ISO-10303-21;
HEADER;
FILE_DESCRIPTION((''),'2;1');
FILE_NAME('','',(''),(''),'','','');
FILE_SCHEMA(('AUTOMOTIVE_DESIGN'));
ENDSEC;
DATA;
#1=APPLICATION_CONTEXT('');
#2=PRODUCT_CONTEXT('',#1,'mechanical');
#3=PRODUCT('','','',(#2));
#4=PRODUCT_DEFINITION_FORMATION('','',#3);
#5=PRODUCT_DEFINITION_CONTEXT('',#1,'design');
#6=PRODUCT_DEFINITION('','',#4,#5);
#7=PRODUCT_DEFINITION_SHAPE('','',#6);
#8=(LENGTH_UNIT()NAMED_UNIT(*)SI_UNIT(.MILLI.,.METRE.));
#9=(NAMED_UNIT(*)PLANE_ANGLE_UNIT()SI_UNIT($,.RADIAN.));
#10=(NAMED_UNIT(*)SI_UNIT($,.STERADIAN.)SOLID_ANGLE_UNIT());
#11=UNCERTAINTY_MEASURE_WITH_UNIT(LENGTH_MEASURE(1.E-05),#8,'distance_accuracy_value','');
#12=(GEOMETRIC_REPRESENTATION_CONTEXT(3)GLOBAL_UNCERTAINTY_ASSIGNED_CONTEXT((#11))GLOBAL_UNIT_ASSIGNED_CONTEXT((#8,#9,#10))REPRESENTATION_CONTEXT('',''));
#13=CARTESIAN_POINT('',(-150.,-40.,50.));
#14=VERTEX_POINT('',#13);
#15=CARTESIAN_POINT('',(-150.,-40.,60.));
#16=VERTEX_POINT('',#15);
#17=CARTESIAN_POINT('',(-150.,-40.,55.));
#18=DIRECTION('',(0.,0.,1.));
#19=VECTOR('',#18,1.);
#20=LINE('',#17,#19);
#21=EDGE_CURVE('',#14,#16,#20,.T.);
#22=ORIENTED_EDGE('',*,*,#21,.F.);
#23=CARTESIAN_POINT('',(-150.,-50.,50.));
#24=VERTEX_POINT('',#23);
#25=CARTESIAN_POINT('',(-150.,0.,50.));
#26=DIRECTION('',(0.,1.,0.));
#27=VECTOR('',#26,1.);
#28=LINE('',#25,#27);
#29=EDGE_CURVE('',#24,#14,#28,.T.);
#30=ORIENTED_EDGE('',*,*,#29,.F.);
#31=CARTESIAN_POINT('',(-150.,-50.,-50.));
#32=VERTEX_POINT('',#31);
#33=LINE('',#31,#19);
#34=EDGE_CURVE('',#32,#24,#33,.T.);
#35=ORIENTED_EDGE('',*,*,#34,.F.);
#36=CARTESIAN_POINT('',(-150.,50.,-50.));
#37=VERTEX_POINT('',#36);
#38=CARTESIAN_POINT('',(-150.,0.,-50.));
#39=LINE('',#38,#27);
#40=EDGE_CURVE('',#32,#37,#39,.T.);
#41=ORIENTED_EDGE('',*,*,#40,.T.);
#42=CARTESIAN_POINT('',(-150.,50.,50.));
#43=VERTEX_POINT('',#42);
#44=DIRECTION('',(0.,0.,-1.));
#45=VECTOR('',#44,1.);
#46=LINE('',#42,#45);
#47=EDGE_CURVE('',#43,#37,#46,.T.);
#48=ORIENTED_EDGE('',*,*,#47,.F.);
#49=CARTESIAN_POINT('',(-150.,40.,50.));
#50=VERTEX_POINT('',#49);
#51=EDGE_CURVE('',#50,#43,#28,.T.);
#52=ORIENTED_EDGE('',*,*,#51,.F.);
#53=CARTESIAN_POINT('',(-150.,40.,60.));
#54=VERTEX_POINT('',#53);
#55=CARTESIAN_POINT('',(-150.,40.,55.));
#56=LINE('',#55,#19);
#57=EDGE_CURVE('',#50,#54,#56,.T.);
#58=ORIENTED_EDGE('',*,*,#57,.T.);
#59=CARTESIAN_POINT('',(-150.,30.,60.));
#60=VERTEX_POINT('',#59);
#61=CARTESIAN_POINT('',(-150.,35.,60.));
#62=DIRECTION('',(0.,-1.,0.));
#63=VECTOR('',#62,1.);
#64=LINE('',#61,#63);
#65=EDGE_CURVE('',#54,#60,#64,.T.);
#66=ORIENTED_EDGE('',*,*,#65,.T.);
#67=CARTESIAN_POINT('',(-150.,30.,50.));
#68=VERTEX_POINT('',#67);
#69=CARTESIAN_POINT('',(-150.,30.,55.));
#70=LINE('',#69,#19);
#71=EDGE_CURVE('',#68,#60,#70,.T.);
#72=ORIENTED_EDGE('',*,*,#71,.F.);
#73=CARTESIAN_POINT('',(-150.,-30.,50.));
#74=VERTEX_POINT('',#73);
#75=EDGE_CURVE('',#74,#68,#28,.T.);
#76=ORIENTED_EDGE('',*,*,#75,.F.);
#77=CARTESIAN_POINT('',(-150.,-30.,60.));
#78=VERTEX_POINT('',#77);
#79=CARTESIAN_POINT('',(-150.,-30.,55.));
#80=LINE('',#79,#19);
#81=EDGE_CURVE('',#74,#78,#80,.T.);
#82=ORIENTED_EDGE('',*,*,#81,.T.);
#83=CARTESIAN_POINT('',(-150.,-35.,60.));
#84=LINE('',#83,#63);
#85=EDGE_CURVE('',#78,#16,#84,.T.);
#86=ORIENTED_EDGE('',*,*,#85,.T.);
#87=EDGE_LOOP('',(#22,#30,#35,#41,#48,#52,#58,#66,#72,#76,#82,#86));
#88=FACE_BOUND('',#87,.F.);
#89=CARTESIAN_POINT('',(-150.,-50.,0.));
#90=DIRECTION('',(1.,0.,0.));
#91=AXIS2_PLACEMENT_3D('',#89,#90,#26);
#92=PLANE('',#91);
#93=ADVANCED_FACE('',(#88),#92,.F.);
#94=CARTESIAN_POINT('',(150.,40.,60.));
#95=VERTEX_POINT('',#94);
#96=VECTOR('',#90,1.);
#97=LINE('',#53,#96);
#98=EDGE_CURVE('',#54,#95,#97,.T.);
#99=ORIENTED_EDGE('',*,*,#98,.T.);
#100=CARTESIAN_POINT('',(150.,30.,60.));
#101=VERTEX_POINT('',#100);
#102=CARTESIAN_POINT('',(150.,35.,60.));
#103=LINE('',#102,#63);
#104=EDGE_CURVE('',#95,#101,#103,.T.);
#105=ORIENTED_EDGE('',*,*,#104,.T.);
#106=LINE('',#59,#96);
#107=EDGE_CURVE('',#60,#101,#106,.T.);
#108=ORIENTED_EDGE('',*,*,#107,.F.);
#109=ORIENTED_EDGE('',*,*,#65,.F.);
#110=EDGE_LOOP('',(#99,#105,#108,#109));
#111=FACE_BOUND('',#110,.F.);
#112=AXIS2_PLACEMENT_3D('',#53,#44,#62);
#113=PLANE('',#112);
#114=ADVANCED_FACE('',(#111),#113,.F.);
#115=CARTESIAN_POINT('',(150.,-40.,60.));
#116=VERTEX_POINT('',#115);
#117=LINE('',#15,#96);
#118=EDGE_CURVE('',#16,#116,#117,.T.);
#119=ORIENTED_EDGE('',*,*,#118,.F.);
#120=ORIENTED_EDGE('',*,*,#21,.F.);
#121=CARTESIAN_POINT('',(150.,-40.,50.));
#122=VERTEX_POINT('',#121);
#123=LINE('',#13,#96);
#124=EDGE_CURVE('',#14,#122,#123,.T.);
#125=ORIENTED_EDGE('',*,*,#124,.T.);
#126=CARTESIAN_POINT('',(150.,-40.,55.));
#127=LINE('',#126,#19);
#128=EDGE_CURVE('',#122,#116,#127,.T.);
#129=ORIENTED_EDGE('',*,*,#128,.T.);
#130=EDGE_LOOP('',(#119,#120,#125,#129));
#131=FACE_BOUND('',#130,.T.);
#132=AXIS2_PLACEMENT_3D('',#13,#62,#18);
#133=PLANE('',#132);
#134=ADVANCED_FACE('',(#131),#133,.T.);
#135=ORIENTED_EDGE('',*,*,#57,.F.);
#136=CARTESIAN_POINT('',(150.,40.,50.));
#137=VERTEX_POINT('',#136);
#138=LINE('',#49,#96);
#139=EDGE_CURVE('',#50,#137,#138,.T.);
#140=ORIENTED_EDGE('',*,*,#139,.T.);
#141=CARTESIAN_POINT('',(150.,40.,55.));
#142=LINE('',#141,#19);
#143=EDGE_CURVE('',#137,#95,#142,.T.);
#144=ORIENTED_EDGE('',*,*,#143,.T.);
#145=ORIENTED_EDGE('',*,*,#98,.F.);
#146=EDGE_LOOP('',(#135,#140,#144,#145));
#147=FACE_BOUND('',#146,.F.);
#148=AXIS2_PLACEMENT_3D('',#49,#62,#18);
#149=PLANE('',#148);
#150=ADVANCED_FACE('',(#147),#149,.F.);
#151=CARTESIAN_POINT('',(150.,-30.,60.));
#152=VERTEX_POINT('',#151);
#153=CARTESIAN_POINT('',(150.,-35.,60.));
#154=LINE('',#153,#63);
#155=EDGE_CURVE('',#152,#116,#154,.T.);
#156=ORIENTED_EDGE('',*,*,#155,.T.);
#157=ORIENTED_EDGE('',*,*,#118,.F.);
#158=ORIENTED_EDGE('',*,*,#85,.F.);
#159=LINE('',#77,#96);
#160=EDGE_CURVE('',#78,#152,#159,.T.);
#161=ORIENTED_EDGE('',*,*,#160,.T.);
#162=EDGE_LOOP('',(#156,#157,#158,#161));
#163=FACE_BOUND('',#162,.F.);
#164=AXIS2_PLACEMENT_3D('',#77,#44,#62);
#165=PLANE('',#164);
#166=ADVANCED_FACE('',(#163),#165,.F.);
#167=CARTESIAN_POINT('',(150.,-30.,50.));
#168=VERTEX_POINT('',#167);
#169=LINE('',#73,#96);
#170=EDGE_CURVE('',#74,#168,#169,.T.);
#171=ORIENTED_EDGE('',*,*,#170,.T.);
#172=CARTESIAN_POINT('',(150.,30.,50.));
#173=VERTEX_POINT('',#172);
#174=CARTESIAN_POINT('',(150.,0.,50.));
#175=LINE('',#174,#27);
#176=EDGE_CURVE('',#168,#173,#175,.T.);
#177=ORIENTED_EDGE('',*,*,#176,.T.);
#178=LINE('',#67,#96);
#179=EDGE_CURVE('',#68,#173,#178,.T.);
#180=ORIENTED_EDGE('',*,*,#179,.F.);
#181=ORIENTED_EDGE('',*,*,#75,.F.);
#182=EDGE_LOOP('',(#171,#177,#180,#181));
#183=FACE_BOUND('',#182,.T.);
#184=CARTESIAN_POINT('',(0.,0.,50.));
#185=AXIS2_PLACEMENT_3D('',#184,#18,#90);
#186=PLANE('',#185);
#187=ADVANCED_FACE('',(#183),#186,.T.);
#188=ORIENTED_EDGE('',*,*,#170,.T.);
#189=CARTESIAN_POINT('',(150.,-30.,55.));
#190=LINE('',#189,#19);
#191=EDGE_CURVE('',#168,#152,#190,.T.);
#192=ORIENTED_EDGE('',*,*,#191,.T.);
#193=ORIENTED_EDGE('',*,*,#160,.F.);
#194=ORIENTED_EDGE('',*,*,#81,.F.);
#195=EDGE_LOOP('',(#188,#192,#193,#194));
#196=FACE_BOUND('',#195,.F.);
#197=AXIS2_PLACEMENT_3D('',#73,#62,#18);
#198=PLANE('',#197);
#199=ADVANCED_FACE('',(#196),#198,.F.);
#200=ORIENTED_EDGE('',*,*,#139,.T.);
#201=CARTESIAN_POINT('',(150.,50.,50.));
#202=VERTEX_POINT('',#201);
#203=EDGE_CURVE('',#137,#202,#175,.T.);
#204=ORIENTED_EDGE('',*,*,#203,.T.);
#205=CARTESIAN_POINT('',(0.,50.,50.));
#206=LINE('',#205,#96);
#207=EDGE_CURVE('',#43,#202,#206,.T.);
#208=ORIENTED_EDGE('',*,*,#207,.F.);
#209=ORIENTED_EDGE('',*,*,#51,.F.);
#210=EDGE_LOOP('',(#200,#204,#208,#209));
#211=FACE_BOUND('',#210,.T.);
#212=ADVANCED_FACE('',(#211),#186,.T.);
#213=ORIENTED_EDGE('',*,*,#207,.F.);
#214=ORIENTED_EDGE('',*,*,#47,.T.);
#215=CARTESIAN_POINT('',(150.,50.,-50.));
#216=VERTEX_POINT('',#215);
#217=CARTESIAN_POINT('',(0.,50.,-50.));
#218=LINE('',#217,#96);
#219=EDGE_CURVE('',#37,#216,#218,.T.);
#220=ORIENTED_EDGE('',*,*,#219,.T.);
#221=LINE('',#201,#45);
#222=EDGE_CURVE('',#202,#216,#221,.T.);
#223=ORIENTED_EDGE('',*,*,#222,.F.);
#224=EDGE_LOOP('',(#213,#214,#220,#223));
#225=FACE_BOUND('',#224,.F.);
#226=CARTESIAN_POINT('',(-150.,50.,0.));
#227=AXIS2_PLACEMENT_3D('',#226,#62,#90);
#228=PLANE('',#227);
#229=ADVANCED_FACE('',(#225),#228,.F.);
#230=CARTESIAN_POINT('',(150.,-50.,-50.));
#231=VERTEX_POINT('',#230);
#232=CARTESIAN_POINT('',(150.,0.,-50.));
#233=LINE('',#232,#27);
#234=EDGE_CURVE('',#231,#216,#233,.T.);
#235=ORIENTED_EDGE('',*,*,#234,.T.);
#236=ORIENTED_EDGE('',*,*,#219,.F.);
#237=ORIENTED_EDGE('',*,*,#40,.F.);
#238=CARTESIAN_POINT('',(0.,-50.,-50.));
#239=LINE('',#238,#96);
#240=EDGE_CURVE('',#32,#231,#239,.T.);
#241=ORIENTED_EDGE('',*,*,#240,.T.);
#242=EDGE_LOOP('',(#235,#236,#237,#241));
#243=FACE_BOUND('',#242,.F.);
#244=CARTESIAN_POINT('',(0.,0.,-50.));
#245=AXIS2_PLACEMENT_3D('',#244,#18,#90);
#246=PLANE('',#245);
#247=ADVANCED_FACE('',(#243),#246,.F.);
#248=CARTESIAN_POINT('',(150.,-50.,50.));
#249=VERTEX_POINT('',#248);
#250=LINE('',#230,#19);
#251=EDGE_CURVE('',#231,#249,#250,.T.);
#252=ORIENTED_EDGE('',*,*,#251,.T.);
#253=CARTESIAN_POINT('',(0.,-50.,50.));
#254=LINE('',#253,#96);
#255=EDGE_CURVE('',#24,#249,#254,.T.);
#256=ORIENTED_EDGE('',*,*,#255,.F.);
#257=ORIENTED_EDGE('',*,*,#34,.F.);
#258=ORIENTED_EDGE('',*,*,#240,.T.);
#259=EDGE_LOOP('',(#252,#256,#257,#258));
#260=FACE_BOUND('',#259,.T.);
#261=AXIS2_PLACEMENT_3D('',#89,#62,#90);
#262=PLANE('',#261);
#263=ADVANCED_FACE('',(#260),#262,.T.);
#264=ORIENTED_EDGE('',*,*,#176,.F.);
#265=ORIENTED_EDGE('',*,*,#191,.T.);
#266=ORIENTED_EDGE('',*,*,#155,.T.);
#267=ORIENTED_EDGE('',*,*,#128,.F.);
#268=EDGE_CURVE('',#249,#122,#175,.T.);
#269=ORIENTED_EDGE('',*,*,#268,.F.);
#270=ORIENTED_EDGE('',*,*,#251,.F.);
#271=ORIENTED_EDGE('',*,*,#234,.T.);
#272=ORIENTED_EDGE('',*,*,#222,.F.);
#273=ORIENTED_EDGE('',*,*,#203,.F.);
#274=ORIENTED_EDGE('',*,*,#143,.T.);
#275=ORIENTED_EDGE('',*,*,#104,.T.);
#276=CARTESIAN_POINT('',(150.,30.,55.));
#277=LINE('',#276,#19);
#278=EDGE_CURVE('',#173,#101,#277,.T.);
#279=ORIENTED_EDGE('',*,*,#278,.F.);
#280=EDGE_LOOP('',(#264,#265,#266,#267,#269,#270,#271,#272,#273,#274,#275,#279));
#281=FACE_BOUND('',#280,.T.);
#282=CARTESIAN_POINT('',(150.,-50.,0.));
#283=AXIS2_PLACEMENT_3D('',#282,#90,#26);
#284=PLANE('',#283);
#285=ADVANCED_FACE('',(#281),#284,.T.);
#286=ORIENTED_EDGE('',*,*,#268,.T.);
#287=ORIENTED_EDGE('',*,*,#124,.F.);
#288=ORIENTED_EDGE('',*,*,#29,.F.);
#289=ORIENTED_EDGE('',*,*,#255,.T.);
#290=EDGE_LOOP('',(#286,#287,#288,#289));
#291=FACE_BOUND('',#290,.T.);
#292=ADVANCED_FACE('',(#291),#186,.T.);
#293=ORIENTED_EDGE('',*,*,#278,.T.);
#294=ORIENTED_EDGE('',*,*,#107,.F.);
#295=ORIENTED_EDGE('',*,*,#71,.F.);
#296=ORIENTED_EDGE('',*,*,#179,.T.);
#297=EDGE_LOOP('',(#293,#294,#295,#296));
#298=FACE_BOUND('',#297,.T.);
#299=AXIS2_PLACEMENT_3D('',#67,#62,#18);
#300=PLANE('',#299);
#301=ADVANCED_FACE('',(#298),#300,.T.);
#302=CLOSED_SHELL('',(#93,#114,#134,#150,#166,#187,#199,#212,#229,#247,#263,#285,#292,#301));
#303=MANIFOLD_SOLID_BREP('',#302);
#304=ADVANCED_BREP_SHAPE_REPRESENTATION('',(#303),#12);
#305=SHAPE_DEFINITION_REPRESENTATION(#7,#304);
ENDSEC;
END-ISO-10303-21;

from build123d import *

# Parameters (mm, degrees)
F0_W     = 300
F0_H     = 100
F1_DEPTH = 50
F3_W     = 10
F3_H     = 10
F4_DEPTH = 300


with BuildPart() as f1:
    # F0 (on Top) → F1 (new body, symmetric)
    with BuildSketch(Plane.XY):
        Rectangle(F0_W, F0_H)
    extrude(amount=F1_DEPTH, both=True)

    # F3 (on face) → F4 (join)
    with BuildSketch(Plane(origin=(-150, 0, 0), x_dir=(0, -1, 0), z_dir=(-1, 0, 0))):
        with Locations((35, 55)):
            Rectangle(F3_W, F3_H)
        with Locations((-35, 55)):
            Rectangle(F3_W, F3_H)
    extrude(amount=-F4_DEPTH)


solid = f1.part
